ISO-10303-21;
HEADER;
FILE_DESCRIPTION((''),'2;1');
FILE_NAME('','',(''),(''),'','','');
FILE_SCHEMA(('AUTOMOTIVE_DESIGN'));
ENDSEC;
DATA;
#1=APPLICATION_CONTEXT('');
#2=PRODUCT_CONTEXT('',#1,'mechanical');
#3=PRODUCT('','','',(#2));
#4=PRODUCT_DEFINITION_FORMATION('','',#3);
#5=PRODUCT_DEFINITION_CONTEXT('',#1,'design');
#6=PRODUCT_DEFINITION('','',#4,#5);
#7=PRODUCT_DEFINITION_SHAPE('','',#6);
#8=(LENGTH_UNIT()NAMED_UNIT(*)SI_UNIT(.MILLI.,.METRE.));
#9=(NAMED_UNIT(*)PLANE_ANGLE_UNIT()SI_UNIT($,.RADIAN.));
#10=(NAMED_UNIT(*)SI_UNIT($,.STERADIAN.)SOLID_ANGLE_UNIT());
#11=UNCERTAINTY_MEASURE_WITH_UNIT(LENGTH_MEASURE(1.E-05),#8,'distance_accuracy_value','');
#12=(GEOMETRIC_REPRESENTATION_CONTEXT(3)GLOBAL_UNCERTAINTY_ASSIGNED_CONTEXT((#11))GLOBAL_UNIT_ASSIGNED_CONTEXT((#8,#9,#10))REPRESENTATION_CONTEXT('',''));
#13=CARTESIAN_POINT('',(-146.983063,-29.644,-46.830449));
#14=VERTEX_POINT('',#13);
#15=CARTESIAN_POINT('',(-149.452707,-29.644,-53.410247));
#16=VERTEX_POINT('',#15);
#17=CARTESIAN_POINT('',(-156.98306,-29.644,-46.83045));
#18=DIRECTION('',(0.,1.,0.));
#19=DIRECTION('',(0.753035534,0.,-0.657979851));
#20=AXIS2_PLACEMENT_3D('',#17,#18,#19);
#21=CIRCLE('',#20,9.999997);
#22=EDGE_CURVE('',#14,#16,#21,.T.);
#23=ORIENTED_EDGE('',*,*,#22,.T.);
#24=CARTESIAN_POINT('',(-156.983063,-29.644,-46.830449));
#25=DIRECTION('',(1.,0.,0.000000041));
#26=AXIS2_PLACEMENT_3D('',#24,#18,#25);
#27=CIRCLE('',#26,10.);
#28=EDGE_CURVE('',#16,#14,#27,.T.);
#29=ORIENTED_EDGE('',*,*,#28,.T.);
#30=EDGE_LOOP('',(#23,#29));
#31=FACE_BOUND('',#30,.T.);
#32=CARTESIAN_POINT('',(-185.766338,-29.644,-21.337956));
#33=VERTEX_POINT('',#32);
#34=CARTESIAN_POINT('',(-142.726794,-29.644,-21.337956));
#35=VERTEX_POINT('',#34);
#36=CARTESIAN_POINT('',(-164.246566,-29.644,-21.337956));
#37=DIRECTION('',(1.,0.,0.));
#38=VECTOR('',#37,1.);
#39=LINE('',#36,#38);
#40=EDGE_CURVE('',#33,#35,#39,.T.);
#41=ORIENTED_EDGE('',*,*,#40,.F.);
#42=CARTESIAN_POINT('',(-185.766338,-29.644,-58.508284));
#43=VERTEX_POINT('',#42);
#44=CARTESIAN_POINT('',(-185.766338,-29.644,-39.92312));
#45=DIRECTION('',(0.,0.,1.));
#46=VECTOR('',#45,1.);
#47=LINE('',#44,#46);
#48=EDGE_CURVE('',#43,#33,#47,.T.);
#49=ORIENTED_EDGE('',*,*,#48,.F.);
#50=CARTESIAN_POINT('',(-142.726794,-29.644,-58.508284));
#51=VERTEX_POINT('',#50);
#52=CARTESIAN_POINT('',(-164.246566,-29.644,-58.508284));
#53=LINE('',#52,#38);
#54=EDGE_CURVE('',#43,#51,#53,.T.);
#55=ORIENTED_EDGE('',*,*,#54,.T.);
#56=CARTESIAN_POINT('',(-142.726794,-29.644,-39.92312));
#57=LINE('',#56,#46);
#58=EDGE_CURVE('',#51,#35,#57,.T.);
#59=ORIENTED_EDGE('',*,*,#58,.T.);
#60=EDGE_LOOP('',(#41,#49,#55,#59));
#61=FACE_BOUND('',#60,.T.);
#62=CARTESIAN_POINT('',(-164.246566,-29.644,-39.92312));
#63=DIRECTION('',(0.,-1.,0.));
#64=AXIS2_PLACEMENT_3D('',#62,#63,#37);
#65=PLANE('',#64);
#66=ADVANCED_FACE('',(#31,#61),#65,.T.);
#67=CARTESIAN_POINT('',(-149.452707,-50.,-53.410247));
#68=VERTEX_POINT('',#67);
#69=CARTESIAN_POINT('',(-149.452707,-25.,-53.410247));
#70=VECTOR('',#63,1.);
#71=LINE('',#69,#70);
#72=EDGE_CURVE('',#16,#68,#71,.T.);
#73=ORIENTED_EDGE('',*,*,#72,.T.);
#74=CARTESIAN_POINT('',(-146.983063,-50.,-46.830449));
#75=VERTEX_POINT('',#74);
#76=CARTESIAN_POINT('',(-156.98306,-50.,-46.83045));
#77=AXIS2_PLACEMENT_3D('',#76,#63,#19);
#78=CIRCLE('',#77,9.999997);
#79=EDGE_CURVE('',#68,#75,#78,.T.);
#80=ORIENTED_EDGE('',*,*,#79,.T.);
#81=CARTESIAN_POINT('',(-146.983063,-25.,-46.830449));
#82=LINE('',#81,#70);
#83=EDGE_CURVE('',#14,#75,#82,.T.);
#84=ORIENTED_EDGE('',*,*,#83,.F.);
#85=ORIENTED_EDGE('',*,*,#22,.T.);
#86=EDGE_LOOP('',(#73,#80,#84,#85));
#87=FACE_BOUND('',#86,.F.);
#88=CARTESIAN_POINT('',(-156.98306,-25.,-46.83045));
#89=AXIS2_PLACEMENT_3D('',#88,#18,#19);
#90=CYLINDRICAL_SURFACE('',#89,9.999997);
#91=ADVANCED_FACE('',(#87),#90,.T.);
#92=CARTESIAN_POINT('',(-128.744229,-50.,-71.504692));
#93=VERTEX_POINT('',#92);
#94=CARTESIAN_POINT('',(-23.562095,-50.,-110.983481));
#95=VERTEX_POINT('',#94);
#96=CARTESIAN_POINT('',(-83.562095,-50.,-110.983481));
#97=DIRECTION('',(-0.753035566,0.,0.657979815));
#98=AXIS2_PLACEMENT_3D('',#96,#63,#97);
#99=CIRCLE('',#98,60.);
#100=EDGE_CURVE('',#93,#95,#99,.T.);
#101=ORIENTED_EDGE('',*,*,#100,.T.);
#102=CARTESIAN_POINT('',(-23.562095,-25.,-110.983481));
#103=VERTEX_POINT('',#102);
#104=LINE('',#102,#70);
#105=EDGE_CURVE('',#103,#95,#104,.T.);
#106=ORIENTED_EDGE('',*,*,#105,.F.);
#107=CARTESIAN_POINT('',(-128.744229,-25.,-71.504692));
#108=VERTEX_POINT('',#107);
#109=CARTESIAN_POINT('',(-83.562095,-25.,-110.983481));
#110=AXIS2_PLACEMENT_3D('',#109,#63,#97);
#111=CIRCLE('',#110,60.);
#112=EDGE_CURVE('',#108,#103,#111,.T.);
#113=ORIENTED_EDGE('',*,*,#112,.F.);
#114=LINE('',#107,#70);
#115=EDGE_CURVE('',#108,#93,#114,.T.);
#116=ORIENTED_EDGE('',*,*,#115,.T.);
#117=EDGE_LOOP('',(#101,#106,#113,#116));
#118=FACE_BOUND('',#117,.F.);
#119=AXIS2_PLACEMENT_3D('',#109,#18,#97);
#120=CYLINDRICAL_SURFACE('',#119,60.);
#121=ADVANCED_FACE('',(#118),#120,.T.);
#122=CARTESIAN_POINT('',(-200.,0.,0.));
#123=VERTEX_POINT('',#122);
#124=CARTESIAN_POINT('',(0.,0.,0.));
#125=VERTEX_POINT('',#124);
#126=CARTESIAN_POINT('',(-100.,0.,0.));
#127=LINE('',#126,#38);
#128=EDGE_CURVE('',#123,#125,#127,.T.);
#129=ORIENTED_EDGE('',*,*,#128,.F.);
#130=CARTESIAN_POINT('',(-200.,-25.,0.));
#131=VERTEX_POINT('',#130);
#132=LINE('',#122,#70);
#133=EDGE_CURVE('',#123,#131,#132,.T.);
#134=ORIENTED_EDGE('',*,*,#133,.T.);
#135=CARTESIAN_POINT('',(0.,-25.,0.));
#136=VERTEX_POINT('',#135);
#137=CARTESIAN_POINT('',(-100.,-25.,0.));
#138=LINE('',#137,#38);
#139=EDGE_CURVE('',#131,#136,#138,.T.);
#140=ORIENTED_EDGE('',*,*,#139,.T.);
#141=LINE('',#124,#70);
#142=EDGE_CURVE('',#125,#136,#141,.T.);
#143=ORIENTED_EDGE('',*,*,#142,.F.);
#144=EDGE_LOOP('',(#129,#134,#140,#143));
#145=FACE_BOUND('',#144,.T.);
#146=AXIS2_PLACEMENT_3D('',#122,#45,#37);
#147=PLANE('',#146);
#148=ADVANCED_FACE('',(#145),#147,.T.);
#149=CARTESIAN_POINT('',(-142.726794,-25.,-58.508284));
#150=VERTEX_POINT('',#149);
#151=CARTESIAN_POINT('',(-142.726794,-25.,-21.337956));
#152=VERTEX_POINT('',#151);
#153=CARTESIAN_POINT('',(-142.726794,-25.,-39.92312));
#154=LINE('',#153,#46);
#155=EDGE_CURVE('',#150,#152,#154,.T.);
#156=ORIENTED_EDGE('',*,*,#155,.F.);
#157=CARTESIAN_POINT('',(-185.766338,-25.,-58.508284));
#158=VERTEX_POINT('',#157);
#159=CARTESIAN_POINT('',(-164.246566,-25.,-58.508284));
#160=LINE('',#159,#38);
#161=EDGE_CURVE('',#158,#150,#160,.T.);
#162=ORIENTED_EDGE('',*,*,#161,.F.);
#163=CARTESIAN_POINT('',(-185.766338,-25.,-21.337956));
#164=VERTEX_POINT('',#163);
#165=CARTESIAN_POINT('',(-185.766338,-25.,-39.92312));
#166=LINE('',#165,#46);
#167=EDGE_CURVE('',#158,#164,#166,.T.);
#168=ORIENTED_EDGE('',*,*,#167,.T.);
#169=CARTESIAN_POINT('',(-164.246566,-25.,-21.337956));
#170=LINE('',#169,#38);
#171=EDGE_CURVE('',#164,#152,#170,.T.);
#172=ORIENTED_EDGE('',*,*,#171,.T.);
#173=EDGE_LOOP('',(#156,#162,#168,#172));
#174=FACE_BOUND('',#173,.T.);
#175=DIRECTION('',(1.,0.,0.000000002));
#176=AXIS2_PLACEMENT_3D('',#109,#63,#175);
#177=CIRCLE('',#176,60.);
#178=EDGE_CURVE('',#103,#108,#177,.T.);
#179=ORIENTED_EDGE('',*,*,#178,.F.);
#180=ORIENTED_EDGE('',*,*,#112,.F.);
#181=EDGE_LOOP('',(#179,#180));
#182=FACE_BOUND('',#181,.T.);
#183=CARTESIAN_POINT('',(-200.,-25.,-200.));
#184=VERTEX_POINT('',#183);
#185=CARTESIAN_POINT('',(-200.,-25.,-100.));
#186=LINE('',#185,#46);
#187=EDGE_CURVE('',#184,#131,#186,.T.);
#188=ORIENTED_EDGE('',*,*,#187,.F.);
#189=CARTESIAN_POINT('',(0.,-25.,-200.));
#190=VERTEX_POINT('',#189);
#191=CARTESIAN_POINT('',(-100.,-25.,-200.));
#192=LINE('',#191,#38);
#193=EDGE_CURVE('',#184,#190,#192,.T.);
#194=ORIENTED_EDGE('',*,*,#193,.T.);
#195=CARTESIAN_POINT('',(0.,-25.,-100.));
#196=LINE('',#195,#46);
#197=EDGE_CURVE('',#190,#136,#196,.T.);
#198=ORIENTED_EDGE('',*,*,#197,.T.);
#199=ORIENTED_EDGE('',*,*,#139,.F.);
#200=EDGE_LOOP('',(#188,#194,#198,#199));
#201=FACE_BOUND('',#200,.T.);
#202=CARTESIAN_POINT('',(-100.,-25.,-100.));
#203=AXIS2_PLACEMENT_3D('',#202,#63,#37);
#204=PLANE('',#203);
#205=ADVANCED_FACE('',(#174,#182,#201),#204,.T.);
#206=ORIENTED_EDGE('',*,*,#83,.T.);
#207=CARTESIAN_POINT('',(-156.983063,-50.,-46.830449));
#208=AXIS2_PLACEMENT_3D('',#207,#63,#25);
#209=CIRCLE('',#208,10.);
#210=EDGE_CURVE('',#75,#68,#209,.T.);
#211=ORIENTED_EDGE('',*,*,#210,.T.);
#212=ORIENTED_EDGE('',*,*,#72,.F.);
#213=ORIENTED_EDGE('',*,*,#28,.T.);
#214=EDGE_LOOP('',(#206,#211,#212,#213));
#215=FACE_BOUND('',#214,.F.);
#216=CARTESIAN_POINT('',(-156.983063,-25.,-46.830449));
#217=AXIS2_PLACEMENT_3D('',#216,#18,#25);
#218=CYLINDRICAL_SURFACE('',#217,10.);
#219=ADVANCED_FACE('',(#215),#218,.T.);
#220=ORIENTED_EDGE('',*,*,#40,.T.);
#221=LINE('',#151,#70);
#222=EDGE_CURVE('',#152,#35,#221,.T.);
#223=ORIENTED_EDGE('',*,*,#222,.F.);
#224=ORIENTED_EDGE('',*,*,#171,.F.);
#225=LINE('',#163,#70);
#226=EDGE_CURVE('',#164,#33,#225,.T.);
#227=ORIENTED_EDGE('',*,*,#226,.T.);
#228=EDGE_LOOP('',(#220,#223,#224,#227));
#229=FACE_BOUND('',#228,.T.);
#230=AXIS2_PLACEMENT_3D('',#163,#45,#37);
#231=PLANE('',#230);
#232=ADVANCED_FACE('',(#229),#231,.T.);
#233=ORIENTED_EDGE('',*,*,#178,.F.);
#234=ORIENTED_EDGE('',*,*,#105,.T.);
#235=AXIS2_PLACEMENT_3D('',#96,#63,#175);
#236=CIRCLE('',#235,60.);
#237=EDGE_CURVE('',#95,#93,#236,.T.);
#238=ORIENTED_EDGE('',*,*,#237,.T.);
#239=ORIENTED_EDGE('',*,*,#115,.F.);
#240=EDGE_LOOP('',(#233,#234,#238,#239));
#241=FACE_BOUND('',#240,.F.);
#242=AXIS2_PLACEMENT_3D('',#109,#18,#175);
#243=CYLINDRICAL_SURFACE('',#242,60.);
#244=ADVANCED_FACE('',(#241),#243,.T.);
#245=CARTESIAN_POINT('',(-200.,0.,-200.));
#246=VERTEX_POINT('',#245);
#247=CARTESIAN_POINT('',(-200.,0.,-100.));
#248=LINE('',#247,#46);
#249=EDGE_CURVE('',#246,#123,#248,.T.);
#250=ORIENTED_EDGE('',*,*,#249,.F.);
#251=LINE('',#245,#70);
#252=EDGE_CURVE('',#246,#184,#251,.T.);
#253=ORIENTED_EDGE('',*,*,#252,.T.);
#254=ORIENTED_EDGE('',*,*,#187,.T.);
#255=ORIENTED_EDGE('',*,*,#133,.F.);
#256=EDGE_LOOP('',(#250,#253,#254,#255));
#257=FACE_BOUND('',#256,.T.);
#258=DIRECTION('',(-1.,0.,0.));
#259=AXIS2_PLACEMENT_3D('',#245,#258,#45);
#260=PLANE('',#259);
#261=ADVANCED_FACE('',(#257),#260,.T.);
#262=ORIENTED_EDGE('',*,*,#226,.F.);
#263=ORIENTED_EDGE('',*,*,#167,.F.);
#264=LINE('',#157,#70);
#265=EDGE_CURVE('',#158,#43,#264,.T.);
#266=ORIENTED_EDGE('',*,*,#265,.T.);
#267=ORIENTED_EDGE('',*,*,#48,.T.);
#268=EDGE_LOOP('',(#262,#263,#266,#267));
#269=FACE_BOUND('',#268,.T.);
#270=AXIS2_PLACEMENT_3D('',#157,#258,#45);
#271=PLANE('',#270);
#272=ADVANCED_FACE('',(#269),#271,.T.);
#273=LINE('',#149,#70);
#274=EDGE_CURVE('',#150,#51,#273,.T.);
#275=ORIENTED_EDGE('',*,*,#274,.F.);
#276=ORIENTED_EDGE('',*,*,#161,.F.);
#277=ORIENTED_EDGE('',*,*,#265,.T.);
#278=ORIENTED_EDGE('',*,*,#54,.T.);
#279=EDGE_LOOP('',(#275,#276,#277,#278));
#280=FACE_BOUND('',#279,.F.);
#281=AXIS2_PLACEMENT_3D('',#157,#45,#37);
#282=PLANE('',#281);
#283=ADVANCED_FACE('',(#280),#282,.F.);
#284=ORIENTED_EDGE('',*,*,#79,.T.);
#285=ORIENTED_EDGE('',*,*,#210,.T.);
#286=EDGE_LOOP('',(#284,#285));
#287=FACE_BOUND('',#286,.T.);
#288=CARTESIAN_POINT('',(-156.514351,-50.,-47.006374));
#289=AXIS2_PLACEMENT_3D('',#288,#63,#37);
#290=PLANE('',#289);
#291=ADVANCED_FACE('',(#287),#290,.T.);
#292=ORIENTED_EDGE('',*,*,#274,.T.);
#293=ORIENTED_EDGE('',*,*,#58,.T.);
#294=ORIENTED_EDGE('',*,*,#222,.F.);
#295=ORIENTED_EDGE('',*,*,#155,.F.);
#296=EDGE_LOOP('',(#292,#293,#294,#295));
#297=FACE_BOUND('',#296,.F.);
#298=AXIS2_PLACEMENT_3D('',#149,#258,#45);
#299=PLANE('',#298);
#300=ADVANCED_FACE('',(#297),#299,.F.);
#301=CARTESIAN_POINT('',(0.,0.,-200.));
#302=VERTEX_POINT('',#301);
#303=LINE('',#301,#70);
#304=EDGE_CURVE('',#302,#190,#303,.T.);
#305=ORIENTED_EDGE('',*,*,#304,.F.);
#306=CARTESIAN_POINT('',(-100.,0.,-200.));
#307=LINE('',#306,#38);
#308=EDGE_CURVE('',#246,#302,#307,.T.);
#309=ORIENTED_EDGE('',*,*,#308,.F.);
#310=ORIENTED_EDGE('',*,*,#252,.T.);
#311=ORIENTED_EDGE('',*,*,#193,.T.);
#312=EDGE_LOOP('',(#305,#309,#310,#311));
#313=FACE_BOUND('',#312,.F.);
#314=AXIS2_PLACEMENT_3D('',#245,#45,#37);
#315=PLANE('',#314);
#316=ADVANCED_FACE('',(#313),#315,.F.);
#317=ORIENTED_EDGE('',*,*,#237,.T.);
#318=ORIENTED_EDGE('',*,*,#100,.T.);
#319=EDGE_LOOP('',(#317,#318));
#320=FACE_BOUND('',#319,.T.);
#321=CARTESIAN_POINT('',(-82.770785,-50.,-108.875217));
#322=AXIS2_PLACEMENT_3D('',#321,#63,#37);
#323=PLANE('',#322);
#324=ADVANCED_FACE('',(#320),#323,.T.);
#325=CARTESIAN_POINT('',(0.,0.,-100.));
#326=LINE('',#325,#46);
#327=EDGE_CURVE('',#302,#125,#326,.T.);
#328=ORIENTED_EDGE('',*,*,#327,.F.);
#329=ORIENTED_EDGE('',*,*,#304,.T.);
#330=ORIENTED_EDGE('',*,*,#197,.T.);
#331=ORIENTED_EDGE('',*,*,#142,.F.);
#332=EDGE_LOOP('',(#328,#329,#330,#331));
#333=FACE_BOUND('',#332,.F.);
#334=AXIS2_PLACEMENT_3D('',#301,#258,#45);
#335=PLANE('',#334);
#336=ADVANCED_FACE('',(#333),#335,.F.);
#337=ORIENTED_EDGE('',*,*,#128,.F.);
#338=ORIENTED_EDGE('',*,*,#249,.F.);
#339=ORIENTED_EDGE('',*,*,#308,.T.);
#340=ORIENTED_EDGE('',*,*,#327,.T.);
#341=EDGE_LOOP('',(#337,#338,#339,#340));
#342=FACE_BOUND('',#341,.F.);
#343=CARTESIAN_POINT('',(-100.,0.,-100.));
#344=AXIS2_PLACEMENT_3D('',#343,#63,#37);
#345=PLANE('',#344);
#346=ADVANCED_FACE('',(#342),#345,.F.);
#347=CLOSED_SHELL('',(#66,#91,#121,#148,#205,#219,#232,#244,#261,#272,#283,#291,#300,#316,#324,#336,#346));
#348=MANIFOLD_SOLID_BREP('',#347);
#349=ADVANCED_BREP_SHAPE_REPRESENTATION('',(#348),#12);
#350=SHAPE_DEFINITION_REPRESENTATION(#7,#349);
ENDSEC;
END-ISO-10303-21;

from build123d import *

# Parameters (mm, degrees)
F0_W     = 200
F0_H     = 200
F1_DEPTH = 25
F3_DEPTH = 25
F4_W     = 43.039545
F4_H     = 37.170328
F5_DEPTH = 4.644


with BuildPart() as f1:
    # F0 (on Front) → F1 (new body)
    with BuildSketch(Plane.XZ):
        with Locations((-100, -100)):
            Rectangle(F0_W, F0_H)
    extrude(amount=F1_DEPTH)

    # F2 (on face) → F3 (join)
    with BuildSketch(Plane.XZ.offset(25)):
        with BuildLine():
            ThreePointArc((-149.452707, -53.410247), (-147.62081, -50.344453), (-146.983063, -46.830449))
            ThreePointArc((-146.983063, -46.830449), (-166.345315, -43.316446), (-149.452707, -53.410247))
        make_face()
        with BuildLine():
            ThreePointArc((-23.562095, -110.983481), (-62.478073, -54.809964), (-128.744229, -71.504692))
            ThreePointArc((-128.744229, -71.504692), (-104.646117, -167.156998), (-23.562095, -110.983481))
        make_face()
    extrude(amount=F3_DEPTH)

    # F4 (on face) → F5 (join)
    with BuildSketch(Plane.XZ.offset(25)):
        with Locations((-164.246566, -39.92312)):
            Rectangle(F4_W, F4_H)
    extrude(amount=F5_DEPTH)


solid = f1.part
